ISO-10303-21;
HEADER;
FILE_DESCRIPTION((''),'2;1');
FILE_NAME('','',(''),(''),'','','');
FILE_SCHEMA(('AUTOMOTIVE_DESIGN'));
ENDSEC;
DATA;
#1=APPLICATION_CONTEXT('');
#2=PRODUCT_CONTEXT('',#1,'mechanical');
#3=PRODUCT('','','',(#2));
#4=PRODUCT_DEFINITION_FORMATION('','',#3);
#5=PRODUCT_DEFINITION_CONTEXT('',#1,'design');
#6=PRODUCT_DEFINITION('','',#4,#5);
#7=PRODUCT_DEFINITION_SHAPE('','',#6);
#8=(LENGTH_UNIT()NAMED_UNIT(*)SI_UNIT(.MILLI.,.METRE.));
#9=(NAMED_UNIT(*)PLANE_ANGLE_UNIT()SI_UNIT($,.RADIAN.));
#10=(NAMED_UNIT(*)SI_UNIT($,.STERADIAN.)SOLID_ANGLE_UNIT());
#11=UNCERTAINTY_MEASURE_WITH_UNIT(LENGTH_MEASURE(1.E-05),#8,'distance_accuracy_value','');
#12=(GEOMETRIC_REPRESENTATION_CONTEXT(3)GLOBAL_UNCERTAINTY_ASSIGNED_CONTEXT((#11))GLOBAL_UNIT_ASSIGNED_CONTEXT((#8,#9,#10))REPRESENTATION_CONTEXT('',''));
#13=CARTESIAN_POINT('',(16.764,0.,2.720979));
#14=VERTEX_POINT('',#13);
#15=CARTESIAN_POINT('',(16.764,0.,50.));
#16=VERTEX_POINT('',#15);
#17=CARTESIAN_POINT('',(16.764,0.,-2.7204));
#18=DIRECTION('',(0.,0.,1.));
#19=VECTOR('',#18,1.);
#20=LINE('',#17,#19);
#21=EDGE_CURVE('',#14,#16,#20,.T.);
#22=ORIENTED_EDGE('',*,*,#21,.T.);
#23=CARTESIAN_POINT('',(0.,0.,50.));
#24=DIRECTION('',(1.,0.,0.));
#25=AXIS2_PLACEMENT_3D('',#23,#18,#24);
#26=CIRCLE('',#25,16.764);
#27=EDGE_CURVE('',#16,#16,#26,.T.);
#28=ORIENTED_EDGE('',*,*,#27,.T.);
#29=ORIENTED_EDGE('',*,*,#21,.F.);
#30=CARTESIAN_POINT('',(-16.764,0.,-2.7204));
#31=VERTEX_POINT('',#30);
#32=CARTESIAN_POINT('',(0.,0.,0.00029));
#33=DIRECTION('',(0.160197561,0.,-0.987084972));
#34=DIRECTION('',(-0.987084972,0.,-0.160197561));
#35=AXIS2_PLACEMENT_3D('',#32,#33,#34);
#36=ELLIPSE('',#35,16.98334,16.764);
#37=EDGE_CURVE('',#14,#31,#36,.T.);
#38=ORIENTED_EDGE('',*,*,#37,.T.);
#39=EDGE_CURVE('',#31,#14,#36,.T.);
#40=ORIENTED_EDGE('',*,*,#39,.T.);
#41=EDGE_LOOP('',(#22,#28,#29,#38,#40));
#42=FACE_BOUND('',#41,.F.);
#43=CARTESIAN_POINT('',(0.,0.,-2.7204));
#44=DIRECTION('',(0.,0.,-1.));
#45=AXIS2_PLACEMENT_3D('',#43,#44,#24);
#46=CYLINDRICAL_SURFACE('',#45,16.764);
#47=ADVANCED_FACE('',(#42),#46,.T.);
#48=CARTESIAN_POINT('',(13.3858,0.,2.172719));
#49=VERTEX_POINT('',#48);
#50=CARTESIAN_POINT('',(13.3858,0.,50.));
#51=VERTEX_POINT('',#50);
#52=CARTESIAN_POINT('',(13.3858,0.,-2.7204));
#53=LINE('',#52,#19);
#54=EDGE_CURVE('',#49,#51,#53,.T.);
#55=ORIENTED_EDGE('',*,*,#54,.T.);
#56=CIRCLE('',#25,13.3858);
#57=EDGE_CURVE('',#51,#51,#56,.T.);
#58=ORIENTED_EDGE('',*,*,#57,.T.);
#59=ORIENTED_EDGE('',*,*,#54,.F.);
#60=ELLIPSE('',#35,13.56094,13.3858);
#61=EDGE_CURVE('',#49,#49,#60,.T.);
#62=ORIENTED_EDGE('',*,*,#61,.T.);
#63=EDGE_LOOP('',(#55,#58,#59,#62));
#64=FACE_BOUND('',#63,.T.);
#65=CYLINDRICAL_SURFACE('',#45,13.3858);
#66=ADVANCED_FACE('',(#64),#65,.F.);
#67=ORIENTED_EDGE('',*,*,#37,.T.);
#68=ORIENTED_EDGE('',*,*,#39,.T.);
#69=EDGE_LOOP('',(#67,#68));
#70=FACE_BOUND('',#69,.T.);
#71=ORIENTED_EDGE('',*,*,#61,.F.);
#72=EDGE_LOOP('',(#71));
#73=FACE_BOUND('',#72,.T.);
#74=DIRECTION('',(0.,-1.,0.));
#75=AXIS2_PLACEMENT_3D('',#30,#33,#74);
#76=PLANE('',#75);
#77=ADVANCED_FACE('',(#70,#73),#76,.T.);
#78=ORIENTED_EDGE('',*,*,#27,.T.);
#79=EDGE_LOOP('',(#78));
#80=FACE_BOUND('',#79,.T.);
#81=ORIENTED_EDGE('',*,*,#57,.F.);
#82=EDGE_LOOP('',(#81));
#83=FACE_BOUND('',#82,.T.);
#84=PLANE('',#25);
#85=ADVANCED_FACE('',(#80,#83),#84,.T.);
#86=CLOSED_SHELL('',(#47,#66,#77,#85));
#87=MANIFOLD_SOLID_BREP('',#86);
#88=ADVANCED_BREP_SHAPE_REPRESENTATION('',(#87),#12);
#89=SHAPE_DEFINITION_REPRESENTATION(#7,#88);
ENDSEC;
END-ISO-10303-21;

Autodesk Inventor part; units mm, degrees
ref_plane "Start plane" through (0, 0, -2.7204) normal (0, 0, 1) x (1, 0, 0)
ref_plane "End plane" through (0, 0, 50) normal (0, 0, 1) x (1, 0, 0)
sketch "Sketch" plane through (0, 0, 0) normal (0, 0, 1) x (1, 0, 0)
  circle A0 centre (0, 0) radius 13.3858
  circle A1 centre (0, 0) radius 16.764
  dimension "d0" = 33.528
  dimension "d1" = 3.3782
extrude "Body" add sketch "Sketch" along normal up to surface (52.7204 mm away) from surface at -2.7204
sketch "Sketch3" plane through (0, 0, 0) normal (0, 0, 1) x (1, 0, 0)
  line L0 (0, 0) -> (10, 0)
ref_plane "Work Plane3" through (0, 0, 0) normal (0, -1, 0) x (1, 0, 0)
ref_plane "Work Plane4" through (-16.764, 0, -2.7204) normal (0.1602, 0, -0.9871) x (-0.9871, 0, -0.1602)
split "Split1" plane through (-16.764, 0, -2.7204) removes the side toward (0.1602, 0, -0.9871)
sketch "Sketch4" plane through (0, 0, 0) normal (0, -1, 0) x (1, 0, 0)
  line L0 (-2, -2.7204) -> (12, -2.7204) projected
  line L1 (-2, 50) -> (12, 50) projected
  dimension "d7" = 52.7204
equation "\"d0\" = G_H"
equation "\"d1\" = G_T"
equation "\"d2\" = G_L"
equation "\"G_H\" = 33.528"
equation "\"G_T\" = 3.3782"
equation "\"G_L\" = d7"
equation "\"G_OFFSET_START\" = 2.72042"
equation "\"G_OFFSET_END\" = 0"
equation "\"d4\" = -G_OFFSET_START"
equation "\"d5\" = G_OFFSET_END + B_L"
equation "\"B_L\" = 50"
properties part number "ANSI - 1 x 0.133 - 2.076" material "Steel, Mild"
